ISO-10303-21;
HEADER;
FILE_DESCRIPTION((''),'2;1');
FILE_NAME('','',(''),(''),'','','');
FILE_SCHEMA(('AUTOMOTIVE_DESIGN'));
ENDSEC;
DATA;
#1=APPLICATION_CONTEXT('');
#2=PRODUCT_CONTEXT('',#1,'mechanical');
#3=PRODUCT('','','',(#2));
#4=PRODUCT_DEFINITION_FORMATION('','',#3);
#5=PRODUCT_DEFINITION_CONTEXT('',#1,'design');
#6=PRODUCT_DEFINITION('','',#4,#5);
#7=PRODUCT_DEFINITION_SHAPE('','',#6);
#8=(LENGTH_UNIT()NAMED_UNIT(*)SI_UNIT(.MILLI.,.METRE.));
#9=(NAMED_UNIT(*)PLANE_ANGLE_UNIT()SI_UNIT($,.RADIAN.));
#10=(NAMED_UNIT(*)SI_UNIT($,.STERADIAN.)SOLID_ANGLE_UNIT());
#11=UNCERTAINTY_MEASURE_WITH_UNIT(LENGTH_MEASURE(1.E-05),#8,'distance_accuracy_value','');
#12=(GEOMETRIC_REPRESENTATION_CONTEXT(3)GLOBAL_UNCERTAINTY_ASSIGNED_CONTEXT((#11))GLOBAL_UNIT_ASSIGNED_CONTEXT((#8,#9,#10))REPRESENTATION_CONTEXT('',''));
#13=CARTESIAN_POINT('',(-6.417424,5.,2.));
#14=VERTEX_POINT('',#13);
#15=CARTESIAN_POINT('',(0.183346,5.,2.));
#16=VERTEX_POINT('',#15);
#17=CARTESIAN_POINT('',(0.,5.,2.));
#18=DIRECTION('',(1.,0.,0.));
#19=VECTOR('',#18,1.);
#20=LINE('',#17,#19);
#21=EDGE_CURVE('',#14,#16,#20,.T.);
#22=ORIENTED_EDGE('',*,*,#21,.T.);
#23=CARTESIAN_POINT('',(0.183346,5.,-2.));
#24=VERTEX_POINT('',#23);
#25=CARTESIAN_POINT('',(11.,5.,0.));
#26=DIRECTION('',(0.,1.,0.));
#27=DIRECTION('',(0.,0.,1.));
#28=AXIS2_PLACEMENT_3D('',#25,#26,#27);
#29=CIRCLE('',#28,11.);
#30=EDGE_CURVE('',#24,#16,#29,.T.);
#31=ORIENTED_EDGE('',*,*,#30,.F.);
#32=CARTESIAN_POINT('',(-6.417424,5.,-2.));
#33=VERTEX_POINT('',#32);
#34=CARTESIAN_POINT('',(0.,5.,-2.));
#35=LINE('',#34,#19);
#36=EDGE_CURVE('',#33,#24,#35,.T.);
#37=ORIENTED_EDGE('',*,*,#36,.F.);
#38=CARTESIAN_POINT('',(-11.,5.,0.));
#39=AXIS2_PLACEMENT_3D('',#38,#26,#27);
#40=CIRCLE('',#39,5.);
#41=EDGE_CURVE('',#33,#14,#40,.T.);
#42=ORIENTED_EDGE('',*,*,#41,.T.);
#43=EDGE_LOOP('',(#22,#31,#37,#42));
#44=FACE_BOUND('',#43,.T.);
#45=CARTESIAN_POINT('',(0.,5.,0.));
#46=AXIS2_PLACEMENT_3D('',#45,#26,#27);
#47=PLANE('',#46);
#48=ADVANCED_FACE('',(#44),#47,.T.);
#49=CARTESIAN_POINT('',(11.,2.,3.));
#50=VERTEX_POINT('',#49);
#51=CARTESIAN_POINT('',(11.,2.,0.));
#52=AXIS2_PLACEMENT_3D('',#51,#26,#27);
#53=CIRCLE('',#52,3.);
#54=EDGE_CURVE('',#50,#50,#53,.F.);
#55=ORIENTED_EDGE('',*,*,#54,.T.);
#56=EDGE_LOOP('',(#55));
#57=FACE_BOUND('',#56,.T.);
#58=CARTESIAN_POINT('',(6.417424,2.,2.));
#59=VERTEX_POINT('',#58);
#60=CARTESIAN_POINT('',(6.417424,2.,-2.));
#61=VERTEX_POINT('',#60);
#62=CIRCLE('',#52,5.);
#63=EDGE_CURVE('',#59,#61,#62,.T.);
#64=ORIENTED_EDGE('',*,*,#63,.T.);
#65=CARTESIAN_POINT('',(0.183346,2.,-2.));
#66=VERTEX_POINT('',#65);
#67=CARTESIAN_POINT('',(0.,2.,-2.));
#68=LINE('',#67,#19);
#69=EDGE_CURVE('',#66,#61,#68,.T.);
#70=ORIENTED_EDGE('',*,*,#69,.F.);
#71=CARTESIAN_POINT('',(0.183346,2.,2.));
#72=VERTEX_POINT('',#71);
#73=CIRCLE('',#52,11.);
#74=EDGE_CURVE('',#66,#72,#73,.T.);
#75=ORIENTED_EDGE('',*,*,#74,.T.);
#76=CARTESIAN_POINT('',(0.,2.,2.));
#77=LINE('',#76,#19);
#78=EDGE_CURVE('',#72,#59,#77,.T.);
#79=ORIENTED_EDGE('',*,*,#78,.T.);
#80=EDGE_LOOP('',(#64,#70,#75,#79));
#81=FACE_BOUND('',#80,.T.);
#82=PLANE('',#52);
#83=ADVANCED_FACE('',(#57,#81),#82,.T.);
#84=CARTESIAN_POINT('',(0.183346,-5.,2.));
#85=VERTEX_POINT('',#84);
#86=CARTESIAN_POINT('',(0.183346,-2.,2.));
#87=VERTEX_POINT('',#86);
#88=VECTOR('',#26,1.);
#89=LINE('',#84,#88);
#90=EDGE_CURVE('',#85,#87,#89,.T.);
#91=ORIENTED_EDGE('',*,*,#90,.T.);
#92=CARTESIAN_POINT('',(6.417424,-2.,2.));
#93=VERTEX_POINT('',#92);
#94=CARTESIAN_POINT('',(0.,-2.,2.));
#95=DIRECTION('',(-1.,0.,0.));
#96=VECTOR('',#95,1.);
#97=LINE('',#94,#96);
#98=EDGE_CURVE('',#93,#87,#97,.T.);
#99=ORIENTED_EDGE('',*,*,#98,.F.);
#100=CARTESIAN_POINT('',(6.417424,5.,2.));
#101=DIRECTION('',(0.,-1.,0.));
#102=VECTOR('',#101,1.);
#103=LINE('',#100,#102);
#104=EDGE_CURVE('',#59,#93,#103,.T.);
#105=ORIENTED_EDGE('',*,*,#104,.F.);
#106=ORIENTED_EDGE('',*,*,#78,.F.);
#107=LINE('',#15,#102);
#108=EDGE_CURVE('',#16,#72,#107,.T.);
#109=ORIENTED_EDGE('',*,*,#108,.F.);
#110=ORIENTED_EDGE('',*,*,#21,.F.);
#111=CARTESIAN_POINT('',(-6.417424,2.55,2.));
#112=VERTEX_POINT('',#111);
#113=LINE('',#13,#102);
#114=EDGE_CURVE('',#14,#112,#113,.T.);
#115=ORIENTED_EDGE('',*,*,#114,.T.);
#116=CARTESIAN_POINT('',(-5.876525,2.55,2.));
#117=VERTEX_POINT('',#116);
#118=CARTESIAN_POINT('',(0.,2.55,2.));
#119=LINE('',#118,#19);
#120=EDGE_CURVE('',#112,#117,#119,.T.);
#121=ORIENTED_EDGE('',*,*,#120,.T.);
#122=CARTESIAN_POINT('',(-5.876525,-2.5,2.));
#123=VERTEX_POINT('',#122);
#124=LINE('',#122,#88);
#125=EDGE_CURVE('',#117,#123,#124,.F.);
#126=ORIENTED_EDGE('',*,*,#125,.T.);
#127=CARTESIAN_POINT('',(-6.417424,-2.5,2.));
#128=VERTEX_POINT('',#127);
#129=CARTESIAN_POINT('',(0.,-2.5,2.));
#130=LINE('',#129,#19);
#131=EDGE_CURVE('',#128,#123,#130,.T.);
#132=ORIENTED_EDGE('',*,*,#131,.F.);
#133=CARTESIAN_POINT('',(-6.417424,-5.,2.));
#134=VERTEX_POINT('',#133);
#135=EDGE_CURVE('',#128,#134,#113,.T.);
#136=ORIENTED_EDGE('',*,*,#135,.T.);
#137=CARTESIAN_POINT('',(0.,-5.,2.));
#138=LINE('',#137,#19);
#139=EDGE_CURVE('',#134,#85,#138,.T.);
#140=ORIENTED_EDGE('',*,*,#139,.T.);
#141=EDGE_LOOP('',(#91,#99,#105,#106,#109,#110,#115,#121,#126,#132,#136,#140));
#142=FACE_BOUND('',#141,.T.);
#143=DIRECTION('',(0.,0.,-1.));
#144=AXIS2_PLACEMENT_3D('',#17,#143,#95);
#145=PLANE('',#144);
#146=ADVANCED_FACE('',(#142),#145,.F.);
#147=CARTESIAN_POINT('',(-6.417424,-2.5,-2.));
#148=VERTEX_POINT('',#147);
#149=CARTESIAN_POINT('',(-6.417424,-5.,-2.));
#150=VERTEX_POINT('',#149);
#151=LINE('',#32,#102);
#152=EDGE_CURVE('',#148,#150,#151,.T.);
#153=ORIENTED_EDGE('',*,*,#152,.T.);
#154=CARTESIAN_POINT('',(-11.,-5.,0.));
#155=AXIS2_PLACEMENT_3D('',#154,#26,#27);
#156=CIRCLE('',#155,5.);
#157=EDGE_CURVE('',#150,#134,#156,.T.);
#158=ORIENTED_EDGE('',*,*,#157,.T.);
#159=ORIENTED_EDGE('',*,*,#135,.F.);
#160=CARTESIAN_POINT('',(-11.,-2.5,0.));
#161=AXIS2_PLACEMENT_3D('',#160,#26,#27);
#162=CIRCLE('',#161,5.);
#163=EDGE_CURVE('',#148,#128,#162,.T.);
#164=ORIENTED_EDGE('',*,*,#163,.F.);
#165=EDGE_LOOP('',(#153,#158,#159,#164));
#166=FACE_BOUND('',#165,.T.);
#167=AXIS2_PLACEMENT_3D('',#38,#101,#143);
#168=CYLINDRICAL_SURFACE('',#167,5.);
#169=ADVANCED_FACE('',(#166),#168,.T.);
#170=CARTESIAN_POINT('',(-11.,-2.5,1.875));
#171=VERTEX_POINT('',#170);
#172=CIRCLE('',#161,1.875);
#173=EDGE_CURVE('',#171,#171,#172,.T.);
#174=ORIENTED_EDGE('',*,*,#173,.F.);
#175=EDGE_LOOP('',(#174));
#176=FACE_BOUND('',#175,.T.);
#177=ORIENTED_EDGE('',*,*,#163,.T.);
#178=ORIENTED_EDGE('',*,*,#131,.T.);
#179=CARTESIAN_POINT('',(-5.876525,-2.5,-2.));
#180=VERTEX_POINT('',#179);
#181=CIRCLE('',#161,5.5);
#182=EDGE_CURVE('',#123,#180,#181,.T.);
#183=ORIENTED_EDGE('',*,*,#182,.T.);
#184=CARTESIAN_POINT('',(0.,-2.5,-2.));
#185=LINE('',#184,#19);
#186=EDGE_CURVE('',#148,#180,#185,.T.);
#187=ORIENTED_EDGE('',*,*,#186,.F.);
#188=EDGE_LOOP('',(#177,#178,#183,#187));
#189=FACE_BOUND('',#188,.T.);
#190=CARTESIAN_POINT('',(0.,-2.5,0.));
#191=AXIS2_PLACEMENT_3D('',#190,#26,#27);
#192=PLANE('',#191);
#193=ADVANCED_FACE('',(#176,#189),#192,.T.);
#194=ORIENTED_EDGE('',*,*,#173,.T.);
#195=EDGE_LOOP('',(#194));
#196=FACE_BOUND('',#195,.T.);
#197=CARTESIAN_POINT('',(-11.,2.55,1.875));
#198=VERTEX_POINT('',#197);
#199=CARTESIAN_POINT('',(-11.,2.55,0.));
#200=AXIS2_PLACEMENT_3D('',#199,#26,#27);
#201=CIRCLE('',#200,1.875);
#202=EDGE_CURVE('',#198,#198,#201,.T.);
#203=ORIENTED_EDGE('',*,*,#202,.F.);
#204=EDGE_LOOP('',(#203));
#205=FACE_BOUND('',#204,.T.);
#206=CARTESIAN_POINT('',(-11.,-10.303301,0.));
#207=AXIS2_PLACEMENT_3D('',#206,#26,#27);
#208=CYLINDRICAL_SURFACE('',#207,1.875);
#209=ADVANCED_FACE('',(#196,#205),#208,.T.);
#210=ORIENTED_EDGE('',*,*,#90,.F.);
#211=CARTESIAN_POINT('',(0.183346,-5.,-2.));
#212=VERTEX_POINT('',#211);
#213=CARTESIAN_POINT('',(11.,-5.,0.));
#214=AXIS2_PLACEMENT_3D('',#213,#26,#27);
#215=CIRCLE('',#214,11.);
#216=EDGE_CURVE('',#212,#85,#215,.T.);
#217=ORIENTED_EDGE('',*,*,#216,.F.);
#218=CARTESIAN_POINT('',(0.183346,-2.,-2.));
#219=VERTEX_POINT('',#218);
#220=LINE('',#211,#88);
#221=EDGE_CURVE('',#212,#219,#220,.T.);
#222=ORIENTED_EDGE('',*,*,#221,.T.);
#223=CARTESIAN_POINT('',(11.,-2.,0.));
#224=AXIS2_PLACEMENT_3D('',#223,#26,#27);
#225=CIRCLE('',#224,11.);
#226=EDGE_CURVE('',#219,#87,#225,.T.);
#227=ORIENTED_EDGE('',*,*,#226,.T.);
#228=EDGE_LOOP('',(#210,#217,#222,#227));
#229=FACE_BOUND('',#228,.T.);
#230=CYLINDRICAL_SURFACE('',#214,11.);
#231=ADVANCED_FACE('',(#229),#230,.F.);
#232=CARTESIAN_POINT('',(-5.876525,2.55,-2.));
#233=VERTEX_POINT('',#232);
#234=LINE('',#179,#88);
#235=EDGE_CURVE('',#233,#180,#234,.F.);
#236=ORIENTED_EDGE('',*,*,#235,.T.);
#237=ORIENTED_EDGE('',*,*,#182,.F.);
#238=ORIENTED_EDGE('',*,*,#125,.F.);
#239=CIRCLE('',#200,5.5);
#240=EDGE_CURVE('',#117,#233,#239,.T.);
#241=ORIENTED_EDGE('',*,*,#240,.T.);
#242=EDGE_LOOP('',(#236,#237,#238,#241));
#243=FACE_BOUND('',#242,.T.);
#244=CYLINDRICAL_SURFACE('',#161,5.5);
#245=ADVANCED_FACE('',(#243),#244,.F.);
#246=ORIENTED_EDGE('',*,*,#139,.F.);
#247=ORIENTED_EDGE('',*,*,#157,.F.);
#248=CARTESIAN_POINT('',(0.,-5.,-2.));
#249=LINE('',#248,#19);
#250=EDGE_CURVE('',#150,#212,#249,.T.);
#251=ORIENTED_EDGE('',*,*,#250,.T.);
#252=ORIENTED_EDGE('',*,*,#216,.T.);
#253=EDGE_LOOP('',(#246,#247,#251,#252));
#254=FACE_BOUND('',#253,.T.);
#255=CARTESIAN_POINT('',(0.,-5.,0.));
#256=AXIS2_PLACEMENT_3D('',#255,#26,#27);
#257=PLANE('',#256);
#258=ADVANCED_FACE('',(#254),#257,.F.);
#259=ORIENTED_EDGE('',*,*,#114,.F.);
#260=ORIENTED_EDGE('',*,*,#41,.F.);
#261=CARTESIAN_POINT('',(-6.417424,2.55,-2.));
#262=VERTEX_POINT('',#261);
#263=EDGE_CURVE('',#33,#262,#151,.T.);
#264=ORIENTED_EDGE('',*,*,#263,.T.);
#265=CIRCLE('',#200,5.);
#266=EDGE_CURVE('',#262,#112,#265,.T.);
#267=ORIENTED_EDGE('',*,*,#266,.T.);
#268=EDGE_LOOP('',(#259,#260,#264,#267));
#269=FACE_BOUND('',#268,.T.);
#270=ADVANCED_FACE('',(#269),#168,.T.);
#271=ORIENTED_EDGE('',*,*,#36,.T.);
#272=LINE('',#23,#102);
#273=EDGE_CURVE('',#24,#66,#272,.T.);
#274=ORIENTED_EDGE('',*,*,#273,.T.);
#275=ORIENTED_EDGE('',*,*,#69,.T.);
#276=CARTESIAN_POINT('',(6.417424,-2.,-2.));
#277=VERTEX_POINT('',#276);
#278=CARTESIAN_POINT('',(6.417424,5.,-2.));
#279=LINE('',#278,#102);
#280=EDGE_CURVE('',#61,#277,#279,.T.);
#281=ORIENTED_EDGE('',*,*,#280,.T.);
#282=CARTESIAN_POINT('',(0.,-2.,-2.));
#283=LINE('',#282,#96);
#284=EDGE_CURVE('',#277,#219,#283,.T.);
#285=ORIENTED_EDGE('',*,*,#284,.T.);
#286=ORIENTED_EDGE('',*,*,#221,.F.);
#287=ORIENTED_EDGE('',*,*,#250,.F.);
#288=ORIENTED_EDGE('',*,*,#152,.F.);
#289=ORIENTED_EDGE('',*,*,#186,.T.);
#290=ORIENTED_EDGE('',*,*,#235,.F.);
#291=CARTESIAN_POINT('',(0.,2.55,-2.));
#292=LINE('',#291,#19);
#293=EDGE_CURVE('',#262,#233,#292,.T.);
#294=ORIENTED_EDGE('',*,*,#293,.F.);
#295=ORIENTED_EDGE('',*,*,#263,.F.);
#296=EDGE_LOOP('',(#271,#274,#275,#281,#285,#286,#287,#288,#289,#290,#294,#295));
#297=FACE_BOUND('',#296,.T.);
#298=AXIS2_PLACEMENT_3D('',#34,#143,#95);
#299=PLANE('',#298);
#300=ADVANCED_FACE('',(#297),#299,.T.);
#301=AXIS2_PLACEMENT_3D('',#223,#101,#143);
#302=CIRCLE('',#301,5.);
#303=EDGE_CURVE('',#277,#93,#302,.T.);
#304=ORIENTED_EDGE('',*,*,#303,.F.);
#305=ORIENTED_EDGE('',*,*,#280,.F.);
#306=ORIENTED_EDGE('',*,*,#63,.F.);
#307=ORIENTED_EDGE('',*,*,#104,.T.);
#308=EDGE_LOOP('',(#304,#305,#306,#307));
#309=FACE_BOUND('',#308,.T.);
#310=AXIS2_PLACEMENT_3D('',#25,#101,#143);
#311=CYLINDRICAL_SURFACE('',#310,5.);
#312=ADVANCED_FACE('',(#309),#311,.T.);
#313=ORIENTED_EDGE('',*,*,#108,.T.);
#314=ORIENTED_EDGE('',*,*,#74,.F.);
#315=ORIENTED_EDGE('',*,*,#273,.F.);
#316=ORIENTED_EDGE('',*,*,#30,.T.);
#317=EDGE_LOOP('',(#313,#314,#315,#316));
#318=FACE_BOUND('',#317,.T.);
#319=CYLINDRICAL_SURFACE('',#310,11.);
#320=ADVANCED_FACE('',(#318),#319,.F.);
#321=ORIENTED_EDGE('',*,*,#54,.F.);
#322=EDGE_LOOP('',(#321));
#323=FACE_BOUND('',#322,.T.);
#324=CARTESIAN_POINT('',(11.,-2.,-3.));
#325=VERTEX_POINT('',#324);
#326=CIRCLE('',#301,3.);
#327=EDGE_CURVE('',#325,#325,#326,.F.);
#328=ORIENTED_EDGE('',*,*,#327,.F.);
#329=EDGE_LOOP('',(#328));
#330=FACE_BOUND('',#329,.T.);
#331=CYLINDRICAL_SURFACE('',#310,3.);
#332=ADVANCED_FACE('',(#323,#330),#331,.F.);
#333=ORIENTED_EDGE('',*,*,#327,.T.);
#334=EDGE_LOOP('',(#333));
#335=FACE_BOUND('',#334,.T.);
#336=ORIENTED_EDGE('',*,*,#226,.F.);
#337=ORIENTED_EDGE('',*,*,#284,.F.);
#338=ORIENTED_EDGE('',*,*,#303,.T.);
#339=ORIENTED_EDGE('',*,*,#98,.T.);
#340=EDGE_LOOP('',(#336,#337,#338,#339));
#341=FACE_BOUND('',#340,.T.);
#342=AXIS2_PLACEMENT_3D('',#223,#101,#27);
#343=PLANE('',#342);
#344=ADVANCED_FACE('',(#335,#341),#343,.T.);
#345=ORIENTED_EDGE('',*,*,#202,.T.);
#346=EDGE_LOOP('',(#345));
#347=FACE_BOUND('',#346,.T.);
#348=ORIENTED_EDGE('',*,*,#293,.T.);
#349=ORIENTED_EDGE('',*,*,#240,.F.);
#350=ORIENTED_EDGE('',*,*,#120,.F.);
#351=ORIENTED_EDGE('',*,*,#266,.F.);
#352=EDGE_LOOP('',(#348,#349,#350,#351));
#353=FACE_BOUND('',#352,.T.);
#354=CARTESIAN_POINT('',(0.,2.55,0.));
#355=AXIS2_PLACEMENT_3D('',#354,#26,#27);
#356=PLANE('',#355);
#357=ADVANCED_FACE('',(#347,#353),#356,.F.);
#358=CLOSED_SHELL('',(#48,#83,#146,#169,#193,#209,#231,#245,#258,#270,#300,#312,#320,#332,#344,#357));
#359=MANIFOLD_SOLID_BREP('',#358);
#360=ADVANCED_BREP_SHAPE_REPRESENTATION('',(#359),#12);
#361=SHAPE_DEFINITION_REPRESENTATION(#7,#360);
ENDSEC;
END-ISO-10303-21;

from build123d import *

# Parameters (mm, degrees)
SKETCH2_R               = 5
SKETCH2_R_2             = 1.875
SKETCH2_R_3             = 3
BOSS_EXTRUDE1_DEPTH     = 5
CUT_EXTRUDE1_START      = 2
SKETCH3_R               = 11
CUT_EXTRUDE1_DEPTH      = 4
SKETCH3_3_R             = 5.5
CUT_EXTRUDE2_DEPTH      = 2.55
CUT_EXTRUDE2_DEPTH_BACK = 2.5
SKETCH5_R               = 1.875
BOSS_EXTRUDE2_DEPTH     = 10


with BuildPart() as part:
    # Sketch2 → Boss-Extrude1 (new body, symmetric)
    with BuildSketch(Plane(origin=(0, 0, 0), x_dir=(1, 0, 0), z_dir=(0, 1, 0))):
        with Locations((-11, 0)):
            Circle(SKETCH2_R)
        with Locations((-11, 0)):
            Circle(SKETCH2_R_2, mode=Mode.SUBTRACT)
        with Locations((11, 0)):
            Circle(SKETCH2_R)
        with Locations((11, 0)):
            Circle(SKETCH2_R_3, mode=Mode.SUBTRACT)
        with BuildLine():
            ThreePointArc((-6, 0), (-6.105468435, -1.021548218), (-6.417424305, -2))
            Line((-6.417424305, -2), (6.417424305, -2))
            ThreePointArc((6.417424305, -2), (6, 0), (6.417424305, 2))
            Line((6.417424305, 2), (-6.417424305, 2))
            ThreePointArc((-6.417424305, 2), (-6.105468435, 1.021548218), (-6, 0))
        make_face()
    extrude(amount=BOSS_EXTRUDE1_DEPTH, both=True)

    # Sketch3 → Cut-Extrude1 (cut, through all)
    with BuildSketch(Plane(origin=(0, 0, 0), x_dir=(1, 0, 0), z_dir=(0, 1, 0)).offset(CUT_EXTRUDE1_START)):
        with Locations((11, 0)):
            Circle(SKETCH3_R)
    cut_extrude1 = extrude(amount=CUT_EXTRUDE1_DEPTH, mode=Mode.SUBTRACT)

    # Mirror2: Cut-Extrude1 across plane
    add(cut_extrude1.mirror(Plane.ZX), mode=Mode.SUBTRACT)

    # Sketch3<3> → Cut-Extrude2 (cut, two sides)
    with BuildSketch(Plane(origin=(0, 0, 0), x_dir=(1, 0, 0), z_dir=(0, 1, 0))) as cut_extrude2_sk:
        with Locations((-11, 0)):
            Circle(SKETCH3_3_R)
    extrude(amount=CUT_EXTRUDE2_DEPTH, mode=Mode.SUBTRACT)
    extrude(cut_extrude2_sk.sketch, amount=-CUT_EXTRUDE2_DEPTH_BACK, mode=Mode.SUBTRACT)

    # Sketch5 → Boss-Extrude2 (add)
    with BuildSketch(Plane(origin=(0, 5, 0), x_dir=(1, 0, 0), z_dir=(0, 1, 0))):
        with Locations((-11, 0)):
            Circle(SKETCH5_R)
    extrude(amount=-BOSS_EXTRUDE2_DEPTH)


solid = part.part
